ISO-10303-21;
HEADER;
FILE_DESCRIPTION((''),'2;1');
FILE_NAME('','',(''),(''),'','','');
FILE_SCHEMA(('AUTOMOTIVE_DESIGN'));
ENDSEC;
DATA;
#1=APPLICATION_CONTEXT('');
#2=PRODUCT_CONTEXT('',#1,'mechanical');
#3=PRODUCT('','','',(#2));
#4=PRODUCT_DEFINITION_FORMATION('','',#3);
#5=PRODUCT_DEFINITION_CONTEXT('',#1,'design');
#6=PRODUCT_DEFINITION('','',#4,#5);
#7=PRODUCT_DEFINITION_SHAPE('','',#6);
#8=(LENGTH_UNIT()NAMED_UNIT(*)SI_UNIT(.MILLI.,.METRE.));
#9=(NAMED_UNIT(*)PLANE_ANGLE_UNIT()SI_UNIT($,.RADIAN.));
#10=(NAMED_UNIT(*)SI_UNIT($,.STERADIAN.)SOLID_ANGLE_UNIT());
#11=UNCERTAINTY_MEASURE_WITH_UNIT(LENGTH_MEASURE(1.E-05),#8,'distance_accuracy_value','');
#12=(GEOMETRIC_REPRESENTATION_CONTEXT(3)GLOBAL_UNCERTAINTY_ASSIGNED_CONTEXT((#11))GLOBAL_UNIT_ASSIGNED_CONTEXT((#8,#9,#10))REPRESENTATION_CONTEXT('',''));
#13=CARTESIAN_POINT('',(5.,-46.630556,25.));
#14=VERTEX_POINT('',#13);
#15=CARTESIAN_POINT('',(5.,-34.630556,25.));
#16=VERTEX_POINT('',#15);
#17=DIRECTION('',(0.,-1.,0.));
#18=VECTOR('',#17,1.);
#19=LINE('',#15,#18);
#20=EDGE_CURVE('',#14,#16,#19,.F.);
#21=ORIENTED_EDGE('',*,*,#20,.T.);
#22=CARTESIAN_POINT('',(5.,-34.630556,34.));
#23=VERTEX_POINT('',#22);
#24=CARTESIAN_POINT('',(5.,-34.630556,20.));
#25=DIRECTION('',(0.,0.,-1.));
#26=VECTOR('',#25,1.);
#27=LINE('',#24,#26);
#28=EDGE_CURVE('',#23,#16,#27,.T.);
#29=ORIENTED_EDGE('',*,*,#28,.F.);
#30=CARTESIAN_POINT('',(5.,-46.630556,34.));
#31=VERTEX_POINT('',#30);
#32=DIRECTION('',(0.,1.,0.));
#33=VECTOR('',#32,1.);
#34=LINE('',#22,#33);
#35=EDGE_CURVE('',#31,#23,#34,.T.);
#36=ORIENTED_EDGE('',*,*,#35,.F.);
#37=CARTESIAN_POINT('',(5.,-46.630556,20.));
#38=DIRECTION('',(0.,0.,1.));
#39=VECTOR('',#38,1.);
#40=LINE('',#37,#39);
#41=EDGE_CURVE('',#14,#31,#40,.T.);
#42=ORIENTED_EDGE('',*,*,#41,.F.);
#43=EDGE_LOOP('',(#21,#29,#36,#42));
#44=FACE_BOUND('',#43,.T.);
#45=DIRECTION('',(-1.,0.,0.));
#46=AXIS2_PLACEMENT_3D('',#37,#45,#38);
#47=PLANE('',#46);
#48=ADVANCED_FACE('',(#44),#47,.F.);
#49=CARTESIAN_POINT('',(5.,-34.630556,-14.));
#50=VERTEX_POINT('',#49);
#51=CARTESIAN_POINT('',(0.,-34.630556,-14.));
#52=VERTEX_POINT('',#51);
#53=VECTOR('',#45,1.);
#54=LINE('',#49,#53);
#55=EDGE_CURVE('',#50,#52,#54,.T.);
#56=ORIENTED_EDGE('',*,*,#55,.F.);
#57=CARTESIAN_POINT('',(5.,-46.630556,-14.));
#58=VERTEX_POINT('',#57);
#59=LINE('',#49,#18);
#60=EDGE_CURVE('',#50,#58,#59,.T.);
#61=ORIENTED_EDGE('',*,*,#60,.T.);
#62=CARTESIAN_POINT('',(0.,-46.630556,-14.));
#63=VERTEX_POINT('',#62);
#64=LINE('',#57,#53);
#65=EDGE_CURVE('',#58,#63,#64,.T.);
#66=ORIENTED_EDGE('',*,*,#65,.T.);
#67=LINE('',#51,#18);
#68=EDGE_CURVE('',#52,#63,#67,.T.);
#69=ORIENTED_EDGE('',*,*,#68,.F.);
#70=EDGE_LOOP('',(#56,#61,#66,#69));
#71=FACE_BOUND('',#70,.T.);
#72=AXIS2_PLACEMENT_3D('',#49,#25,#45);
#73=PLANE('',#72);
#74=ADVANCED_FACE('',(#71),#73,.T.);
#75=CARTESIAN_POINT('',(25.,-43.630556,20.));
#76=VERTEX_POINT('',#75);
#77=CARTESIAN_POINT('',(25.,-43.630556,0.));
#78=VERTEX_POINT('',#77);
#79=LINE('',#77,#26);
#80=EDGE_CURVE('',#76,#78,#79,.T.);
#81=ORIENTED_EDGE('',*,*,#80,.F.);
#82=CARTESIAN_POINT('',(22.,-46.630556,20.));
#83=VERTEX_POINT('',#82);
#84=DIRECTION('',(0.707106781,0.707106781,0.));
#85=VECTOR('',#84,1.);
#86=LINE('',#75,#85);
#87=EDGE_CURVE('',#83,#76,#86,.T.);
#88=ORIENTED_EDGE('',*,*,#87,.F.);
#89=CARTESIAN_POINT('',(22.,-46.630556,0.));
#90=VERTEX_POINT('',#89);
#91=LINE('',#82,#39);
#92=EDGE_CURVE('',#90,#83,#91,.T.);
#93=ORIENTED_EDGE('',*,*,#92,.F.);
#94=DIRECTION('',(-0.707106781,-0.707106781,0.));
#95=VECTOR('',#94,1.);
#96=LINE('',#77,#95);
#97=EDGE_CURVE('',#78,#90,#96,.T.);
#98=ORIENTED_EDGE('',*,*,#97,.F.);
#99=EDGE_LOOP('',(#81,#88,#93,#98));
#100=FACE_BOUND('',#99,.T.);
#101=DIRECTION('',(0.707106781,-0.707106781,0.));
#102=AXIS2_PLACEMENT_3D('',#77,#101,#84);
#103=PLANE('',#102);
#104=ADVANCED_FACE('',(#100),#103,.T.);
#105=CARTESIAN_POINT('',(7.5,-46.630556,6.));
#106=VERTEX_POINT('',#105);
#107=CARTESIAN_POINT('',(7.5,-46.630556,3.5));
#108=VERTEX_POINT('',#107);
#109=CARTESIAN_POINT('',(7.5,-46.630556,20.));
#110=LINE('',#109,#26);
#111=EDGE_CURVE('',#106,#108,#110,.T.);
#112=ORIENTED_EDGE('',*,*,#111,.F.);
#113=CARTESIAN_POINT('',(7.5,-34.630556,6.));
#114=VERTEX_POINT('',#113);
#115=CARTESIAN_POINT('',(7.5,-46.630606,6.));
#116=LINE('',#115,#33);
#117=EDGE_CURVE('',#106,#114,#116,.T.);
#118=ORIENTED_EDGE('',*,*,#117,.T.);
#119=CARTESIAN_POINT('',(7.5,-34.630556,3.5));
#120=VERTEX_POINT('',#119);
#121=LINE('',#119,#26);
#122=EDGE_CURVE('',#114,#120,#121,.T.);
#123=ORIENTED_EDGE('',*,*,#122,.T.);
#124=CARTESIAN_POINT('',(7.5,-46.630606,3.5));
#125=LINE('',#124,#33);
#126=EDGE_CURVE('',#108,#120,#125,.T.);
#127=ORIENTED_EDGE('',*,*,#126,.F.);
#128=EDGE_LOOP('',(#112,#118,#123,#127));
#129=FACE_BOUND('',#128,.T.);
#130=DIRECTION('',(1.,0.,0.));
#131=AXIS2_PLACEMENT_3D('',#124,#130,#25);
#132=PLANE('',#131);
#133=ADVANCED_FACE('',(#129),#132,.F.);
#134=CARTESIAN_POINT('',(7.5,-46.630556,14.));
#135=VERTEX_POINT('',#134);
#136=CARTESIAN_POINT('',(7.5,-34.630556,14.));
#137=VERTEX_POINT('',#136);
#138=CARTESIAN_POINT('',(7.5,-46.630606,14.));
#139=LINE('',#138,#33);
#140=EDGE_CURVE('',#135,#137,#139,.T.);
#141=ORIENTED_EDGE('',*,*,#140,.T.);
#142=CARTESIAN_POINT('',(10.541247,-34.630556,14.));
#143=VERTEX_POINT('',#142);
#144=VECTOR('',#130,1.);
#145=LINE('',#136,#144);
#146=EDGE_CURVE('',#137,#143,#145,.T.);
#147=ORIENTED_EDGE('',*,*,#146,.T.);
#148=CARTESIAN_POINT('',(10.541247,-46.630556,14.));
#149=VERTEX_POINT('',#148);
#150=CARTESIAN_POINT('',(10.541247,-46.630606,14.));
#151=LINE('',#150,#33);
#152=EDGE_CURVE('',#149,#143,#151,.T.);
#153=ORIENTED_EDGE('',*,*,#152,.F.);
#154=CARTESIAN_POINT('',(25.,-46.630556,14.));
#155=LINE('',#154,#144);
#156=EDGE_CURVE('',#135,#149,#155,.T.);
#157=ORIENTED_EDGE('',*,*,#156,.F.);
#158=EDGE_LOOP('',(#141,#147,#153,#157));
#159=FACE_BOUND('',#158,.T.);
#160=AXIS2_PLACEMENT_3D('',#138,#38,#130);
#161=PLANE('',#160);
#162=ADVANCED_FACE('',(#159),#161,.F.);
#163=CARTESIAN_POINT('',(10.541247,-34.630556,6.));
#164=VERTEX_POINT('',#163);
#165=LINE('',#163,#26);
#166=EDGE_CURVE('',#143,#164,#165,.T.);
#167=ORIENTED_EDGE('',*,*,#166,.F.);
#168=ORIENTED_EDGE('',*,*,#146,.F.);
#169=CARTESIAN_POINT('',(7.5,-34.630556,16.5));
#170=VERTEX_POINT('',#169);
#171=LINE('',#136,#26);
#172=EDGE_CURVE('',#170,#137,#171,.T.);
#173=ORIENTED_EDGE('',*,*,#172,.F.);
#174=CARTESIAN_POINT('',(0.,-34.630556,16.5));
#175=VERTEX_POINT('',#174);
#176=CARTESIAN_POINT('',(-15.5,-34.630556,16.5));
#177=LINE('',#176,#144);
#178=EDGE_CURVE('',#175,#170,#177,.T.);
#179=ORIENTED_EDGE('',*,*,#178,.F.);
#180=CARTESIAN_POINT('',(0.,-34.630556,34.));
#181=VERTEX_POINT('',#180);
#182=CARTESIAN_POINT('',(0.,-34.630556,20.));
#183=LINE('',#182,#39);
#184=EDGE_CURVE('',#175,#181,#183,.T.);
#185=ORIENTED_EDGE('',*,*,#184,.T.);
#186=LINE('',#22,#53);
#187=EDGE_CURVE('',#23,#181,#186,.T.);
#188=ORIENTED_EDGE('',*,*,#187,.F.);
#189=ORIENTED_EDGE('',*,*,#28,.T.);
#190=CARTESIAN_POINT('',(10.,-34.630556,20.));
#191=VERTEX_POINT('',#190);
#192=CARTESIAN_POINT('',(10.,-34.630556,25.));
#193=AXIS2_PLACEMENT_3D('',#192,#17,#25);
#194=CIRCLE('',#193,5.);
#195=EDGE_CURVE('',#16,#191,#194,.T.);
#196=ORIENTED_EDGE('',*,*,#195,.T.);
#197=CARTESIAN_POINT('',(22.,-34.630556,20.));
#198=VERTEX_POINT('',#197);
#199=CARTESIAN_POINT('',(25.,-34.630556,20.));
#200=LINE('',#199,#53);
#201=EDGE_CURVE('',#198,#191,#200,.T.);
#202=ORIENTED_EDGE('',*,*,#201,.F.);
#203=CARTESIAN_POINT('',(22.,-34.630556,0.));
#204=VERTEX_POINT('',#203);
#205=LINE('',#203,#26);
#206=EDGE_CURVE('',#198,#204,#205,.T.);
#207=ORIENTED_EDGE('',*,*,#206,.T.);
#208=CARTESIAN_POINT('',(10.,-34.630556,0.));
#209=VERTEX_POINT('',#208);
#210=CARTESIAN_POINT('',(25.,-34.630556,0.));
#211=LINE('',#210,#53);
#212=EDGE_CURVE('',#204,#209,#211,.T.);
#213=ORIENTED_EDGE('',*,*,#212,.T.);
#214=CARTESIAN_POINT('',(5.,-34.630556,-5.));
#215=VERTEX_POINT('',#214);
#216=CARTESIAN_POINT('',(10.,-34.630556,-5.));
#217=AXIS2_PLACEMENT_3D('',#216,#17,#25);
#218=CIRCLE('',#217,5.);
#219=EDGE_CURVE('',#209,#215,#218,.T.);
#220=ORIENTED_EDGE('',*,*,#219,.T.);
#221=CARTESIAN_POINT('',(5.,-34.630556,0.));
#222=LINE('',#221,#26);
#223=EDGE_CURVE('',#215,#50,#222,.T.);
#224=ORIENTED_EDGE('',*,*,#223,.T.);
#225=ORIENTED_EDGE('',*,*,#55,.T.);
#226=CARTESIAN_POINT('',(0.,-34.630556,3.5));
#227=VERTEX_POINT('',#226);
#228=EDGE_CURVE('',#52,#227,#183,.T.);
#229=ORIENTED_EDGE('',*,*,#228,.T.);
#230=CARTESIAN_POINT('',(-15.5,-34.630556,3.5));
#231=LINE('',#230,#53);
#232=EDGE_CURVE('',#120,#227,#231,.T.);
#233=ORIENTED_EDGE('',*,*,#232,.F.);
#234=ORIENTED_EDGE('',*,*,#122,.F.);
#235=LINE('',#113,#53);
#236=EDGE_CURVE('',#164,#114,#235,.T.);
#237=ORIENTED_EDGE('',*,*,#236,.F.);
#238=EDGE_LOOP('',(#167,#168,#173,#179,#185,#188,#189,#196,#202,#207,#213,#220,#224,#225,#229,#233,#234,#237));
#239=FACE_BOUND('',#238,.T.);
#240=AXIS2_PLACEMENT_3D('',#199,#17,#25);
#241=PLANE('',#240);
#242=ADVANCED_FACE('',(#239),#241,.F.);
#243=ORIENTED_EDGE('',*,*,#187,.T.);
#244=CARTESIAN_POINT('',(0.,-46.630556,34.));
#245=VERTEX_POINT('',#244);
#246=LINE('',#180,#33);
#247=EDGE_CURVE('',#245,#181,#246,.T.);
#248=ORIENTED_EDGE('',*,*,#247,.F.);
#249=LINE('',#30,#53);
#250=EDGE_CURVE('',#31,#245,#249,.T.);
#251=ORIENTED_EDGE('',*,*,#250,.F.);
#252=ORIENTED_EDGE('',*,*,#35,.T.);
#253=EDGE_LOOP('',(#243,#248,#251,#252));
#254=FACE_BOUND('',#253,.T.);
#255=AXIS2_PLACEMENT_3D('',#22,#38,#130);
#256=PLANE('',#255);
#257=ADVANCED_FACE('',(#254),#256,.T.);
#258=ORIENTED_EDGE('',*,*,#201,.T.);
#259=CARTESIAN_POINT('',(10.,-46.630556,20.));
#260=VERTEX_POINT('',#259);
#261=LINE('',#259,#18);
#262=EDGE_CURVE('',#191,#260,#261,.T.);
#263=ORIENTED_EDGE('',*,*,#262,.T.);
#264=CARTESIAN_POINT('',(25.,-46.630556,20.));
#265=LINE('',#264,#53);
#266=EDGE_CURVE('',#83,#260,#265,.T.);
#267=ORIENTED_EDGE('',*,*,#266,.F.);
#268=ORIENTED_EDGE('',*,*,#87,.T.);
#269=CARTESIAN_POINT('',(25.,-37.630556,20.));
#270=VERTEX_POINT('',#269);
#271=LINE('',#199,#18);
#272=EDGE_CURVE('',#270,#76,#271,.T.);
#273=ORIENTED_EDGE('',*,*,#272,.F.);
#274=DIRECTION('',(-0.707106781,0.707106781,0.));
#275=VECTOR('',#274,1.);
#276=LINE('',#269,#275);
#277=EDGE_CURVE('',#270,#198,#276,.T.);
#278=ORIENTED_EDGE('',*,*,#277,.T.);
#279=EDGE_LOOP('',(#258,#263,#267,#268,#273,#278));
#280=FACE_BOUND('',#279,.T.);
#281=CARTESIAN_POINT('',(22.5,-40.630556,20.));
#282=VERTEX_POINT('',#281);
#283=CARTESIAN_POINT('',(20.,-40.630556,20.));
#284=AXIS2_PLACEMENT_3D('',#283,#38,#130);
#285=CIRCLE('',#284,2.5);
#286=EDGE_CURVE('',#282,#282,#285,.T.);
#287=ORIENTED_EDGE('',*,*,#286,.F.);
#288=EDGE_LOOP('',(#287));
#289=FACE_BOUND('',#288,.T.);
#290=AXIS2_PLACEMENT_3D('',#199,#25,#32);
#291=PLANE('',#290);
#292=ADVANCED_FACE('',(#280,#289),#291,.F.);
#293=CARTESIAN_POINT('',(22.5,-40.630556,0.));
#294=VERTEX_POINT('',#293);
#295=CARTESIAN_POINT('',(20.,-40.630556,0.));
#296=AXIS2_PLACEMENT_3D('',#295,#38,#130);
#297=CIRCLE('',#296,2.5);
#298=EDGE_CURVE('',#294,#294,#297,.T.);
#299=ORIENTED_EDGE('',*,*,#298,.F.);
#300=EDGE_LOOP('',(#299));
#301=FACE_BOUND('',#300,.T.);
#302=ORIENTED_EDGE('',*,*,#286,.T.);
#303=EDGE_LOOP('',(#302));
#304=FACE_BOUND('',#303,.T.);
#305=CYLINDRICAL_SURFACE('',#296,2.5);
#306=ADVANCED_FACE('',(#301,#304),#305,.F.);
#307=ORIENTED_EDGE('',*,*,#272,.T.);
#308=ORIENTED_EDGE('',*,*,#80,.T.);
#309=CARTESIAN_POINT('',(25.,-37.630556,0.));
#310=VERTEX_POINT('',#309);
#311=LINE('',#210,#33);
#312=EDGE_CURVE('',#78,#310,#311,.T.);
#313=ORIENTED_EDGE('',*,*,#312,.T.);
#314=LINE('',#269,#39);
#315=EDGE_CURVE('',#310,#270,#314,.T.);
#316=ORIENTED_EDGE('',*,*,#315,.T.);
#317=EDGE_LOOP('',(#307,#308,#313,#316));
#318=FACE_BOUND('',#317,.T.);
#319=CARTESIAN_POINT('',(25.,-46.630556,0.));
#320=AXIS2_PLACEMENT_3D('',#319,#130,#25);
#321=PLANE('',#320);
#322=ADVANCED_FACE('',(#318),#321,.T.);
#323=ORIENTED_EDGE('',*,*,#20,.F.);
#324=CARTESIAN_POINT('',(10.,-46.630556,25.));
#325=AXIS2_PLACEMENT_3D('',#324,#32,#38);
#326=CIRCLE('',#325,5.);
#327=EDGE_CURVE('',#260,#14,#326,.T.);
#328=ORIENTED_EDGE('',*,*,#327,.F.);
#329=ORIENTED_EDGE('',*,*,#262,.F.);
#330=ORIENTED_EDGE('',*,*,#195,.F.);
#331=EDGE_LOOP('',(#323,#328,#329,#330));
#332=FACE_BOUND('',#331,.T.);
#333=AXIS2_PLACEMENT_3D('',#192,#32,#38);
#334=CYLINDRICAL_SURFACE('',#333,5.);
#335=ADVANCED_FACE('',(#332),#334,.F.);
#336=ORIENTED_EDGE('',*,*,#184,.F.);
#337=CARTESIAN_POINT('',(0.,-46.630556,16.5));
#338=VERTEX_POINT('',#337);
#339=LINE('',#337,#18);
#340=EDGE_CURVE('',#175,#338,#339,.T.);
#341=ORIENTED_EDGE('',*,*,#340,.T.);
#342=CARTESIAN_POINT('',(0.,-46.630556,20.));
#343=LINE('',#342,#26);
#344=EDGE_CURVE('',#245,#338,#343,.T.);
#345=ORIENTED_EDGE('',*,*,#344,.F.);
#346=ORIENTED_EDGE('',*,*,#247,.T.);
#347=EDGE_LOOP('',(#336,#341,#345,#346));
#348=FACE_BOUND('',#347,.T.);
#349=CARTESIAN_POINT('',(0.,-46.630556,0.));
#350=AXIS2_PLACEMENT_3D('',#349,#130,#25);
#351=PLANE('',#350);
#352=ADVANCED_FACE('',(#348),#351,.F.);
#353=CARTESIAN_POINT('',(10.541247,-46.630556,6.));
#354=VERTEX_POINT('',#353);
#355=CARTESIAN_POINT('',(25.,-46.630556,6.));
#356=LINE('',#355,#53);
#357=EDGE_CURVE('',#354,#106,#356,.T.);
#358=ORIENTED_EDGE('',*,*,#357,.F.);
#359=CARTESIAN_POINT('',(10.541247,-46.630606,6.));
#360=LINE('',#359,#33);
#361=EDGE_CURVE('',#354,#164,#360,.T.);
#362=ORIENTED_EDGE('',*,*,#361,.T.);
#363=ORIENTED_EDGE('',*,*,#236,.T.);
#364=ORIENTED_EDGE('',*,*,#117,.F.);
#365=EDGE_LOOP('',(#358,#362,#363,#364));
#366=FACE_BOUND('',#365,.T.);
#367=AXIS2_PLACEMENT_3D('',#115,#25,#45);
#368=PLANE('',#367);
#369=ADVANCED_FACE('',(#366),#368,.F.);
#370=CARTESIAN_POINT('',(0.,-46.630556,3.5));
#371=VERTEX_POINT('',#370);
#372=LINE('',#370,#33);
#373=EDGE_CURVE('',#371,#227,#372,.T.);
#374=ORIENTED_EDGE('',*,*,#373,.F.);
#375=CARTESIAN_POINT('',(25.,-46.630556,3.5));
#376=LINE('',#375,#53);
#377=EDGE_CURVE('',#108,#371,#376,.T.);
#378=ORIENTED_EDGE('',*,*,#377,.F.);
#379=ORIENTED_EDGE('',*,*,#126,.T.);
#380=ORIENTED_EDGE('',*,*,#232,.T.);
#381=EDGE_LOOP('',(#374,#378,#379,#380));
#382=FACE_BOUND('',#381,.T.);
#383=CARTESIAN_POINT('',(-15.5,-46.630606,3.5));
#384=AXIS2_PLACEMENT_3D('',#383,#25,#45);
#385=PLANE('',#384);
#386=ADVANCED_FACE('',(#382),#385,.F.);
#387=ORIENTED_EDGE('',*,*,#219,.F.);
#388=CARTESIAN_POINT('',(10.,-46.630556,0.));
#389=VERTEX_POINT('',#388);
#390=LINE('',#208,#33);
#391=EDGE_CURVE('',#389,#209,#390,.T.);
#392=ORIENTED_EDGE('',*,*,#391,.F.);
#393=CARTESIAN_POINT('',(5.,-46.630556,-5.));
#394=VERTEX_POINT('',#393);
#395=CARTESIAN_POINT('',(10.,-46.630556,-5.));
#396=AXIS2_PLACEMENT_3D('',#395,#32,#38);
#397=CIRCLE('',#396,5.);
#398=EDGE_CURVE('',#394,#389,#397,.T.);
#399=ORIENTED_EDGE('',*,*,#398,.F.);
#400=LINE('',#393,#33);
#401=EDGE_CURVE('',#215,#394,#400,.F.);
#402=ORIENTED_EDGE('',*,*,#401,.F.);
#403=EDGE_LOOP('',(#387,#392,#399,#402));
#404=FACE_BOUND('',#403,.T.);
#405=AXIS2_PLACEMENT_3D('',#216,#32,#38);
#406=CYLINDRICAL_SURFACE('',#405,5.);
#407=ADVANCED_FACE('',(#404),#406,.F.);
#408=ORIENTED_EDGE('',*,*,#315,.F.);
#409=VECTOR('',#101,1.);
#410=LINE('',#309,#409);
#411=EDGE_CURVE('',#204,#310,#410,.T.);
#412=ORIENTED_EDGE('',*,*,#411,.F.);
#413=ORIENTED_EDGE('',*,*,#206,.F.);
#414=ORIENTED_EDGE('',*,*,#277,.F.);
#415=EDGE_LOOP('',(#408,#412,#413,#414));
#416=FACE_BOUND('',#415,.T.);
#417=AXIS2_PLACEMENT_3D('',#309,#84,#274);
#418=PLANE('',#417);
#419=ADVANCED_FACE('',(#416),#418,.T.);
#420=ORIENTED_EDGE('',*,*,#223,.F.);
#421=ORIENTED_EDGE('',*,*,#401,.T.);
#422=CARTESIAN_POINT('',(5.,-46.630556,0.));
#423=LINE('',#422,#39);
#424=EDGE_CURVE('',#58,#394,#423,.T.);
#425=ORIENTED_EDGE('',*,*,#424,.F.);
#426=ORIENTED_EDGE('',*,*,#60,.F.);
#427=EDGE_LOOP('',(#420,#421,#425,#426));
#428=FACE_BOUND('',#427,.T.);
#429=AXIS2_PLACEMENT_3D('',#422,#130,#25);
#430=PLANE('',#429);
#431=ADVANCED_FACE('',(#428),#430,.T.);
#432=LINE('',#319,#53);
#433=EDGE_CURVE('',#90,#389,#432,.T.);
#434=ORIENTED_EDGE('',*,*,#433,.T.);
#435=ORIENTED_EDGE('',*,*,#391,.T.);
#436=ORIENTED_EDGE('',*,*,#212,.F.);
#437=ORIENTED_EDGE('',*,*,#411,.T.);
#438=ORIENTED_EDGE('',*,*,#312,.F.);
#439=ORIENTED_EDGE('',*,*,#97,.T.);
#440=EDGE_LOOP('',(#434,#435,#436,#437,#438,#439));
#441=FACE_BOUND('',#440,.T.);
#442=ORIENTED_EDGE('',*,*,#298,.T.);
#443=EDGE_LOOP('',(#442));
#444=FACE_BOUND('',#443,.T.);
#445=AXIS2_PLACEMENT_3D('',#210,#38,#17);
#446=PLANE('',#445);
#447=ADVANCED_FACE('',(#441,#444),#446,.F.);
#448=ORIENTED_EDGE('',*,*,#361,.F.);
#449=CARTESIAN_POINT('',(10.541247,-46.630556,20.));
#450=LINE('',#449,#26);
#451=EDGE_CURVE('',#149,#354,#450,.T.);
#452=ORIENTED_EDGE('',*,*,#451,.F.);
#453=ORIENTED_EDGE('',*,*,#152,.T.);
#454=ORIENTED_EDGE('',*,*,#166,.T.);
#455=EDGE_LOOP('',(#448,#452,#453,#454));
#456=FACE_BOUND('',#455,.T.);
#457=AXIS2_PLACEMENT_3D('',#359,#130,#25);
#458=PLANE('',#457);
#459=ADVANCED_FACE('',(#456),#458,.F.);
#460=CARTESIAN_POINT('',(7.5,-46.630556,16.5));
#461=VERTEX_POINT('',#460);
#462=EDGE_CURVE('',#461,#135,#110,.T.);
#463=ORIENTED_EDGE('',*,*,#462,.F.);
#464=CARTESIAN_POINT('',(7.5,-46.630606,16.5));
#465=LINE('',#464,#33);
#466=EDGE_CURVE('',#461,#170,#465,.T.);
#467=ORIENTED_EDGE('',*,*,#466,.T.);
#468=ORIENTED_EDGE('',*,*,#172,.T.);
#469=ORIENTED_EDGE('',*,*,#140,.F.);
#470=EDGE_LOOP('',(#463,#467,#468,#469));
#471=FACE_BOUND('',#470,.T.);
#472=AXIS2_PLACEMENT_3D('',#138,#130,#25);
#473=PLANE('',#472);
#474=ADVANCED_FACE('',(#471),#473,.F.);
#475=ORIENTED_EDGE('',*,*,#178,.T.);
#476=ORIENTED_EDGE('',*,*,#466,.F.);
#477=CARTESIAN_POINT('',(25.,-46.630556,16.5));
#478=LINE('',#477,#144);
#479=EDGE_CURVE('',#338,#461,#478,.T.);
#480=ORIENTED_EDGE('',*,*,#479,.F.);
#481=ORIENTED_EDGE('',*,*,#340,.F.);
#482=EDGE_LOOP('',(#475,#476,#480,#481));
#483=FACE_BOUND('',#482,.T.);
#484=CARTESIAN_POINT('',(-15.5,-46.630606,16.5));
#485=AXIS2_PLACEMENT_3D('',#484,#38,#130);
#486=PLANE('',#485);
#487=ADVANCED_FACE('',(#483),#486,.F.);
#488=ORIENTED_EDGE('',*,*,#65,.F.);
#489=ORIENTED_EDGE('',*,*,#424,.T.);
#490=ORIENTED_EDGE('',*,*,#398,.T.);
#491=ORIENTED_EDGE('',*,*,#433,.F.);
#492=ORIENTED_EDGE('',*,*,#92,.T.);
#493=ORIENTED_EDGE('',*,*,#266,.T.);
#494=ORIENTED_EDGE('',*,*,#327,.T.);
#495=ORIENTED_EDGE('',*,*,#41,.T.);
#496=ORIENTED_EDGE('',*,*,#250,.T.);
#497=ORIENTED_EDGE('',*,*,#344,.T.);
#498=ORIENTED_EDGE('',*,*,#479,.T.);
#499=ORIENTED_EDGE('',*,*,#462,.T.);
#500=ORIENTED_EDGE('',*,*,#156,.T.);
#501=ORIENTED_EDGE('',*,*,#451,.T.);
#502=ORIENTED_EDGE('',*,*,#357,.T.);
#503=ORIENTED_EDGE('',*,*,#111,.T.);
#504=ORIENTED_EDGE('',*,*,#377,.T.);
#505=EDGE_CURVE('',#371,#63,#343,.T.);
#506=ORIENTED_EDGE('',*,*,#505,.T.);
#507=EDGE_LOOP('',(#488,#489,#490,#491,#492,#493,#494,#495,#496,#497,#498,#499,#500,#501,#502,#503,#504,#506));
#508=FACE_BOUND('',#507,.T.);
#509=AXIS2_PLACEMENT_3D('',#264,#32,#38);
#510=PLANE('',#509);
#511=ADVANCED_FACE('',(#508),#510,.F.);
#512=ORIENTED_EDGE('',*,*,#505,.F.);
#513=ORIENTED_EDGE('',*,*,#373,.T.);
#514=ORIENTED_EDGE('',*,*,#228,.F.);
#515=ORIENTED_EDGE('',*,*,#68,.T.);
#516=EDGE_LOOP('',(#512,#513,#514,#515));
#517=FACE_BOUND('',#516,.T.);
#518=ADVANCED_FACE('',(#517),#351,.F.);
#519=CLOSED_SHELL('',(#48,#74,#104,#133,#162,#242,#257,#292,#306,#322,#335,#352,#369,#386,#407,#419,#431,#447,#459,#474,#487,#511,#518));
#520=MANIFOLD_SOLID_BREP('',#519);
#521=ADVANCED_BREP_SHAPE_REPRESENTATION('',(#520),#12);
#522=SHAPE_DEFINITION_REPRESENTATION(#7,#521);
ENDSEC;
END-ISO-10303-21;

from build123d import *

# Parameters (mm, degrees)
SKETCH_1_W          = 20
SKETCH_1_H          = 12
EXTRUDE_1_DEPTH     = 25
SKETCH_5_R          = 2.5
CUT_EXTRUDE_2_DEPTH = 57.563315968
SKETCH_6_W          = 14
SKETCH_6_H          = 12
EXTRUDE_2_DEPTH     = 5
CHAMFER_1_SIZE      = 3
CUT_EXTRUDE_3_DEPTH = 44.874821937
FILLET_1_R          = 5


with BuildPart() as part:
    # Эскиз1 → Вытянуть1 (new body)
    with BuildSketch(Plane(origin=(0, 0, 0), x_dir=(0, 0, -1), z_dir=(1, 0, 0))):
        with Locations((-10, -40.630555576)):
            Rectangle(SKETCH_1_W, SKETCH_1_H)
    extrude(amount=EXTRUDE_1_DEPTH)

    # Эскиз5 → Вырез-Вытянуть2 (cut, through all)
    with BuildSketch(Plane.XY.offset(20)):
        with Locations((20, -40.630555576)):
            Circle(SKETCH_5_R)
    extrude(amount=-CUT_EXTRUDE_2_DEPTH, mode=Mode.SUBTRACT)

    # Эскиз6 → Вытянуть2 (add)
    with BuildSketch(Plane.ZY):
        with Locations((27, -40.630555576)):
            Rectangle(SKETCH_6_W, SKETCH_6_H)
        with Locations((-7, -40.630555576)):
            Rectangle(SKETCH_6_W, SKETCH_6_H)
    extrude(amount=-EXTRUDE_2_DEPTH)

    # Фаска1
    chamfer_1_edges = [part.edges().sort_by_distance(p)[0] for p in [
        (25, -46.630555576, 10),
        (25, -34.630555576, 10),
    ]]
    chamfer(chamfer_1_edges, length=CHAMFER_1_SIZE)

    # Эскиз8 → Вытянуть3 (cut, through all)
    with BuildSketch(Plane(origin=(0, -34.630555576, 0), x_dir=(1, 0, 0), z_dir=(0, 1, 0))):
        Polygon((-15.5, -3.5), (7.5, -3.5), (7.5, -6), (10.541246576, -6), (10.541246576, -14), (7.5, -14), (7.5, -16.5), (-15.5, -16.5), align=None)
    extrude(amount=-CUT_EXTRUDE_3_DEPTH, mode=Mode.SUBTRACT)

    # Скругление1
    fillet_1_edges = [part.edges().sort_by_distance(p)[0] for p in [
        (5, -40.630555576, 0),
        (5, -40.630555576, 20),
    ]]
    fillet(fillet_1_edges, radius=FILLET_1_R)


solid = part.part
